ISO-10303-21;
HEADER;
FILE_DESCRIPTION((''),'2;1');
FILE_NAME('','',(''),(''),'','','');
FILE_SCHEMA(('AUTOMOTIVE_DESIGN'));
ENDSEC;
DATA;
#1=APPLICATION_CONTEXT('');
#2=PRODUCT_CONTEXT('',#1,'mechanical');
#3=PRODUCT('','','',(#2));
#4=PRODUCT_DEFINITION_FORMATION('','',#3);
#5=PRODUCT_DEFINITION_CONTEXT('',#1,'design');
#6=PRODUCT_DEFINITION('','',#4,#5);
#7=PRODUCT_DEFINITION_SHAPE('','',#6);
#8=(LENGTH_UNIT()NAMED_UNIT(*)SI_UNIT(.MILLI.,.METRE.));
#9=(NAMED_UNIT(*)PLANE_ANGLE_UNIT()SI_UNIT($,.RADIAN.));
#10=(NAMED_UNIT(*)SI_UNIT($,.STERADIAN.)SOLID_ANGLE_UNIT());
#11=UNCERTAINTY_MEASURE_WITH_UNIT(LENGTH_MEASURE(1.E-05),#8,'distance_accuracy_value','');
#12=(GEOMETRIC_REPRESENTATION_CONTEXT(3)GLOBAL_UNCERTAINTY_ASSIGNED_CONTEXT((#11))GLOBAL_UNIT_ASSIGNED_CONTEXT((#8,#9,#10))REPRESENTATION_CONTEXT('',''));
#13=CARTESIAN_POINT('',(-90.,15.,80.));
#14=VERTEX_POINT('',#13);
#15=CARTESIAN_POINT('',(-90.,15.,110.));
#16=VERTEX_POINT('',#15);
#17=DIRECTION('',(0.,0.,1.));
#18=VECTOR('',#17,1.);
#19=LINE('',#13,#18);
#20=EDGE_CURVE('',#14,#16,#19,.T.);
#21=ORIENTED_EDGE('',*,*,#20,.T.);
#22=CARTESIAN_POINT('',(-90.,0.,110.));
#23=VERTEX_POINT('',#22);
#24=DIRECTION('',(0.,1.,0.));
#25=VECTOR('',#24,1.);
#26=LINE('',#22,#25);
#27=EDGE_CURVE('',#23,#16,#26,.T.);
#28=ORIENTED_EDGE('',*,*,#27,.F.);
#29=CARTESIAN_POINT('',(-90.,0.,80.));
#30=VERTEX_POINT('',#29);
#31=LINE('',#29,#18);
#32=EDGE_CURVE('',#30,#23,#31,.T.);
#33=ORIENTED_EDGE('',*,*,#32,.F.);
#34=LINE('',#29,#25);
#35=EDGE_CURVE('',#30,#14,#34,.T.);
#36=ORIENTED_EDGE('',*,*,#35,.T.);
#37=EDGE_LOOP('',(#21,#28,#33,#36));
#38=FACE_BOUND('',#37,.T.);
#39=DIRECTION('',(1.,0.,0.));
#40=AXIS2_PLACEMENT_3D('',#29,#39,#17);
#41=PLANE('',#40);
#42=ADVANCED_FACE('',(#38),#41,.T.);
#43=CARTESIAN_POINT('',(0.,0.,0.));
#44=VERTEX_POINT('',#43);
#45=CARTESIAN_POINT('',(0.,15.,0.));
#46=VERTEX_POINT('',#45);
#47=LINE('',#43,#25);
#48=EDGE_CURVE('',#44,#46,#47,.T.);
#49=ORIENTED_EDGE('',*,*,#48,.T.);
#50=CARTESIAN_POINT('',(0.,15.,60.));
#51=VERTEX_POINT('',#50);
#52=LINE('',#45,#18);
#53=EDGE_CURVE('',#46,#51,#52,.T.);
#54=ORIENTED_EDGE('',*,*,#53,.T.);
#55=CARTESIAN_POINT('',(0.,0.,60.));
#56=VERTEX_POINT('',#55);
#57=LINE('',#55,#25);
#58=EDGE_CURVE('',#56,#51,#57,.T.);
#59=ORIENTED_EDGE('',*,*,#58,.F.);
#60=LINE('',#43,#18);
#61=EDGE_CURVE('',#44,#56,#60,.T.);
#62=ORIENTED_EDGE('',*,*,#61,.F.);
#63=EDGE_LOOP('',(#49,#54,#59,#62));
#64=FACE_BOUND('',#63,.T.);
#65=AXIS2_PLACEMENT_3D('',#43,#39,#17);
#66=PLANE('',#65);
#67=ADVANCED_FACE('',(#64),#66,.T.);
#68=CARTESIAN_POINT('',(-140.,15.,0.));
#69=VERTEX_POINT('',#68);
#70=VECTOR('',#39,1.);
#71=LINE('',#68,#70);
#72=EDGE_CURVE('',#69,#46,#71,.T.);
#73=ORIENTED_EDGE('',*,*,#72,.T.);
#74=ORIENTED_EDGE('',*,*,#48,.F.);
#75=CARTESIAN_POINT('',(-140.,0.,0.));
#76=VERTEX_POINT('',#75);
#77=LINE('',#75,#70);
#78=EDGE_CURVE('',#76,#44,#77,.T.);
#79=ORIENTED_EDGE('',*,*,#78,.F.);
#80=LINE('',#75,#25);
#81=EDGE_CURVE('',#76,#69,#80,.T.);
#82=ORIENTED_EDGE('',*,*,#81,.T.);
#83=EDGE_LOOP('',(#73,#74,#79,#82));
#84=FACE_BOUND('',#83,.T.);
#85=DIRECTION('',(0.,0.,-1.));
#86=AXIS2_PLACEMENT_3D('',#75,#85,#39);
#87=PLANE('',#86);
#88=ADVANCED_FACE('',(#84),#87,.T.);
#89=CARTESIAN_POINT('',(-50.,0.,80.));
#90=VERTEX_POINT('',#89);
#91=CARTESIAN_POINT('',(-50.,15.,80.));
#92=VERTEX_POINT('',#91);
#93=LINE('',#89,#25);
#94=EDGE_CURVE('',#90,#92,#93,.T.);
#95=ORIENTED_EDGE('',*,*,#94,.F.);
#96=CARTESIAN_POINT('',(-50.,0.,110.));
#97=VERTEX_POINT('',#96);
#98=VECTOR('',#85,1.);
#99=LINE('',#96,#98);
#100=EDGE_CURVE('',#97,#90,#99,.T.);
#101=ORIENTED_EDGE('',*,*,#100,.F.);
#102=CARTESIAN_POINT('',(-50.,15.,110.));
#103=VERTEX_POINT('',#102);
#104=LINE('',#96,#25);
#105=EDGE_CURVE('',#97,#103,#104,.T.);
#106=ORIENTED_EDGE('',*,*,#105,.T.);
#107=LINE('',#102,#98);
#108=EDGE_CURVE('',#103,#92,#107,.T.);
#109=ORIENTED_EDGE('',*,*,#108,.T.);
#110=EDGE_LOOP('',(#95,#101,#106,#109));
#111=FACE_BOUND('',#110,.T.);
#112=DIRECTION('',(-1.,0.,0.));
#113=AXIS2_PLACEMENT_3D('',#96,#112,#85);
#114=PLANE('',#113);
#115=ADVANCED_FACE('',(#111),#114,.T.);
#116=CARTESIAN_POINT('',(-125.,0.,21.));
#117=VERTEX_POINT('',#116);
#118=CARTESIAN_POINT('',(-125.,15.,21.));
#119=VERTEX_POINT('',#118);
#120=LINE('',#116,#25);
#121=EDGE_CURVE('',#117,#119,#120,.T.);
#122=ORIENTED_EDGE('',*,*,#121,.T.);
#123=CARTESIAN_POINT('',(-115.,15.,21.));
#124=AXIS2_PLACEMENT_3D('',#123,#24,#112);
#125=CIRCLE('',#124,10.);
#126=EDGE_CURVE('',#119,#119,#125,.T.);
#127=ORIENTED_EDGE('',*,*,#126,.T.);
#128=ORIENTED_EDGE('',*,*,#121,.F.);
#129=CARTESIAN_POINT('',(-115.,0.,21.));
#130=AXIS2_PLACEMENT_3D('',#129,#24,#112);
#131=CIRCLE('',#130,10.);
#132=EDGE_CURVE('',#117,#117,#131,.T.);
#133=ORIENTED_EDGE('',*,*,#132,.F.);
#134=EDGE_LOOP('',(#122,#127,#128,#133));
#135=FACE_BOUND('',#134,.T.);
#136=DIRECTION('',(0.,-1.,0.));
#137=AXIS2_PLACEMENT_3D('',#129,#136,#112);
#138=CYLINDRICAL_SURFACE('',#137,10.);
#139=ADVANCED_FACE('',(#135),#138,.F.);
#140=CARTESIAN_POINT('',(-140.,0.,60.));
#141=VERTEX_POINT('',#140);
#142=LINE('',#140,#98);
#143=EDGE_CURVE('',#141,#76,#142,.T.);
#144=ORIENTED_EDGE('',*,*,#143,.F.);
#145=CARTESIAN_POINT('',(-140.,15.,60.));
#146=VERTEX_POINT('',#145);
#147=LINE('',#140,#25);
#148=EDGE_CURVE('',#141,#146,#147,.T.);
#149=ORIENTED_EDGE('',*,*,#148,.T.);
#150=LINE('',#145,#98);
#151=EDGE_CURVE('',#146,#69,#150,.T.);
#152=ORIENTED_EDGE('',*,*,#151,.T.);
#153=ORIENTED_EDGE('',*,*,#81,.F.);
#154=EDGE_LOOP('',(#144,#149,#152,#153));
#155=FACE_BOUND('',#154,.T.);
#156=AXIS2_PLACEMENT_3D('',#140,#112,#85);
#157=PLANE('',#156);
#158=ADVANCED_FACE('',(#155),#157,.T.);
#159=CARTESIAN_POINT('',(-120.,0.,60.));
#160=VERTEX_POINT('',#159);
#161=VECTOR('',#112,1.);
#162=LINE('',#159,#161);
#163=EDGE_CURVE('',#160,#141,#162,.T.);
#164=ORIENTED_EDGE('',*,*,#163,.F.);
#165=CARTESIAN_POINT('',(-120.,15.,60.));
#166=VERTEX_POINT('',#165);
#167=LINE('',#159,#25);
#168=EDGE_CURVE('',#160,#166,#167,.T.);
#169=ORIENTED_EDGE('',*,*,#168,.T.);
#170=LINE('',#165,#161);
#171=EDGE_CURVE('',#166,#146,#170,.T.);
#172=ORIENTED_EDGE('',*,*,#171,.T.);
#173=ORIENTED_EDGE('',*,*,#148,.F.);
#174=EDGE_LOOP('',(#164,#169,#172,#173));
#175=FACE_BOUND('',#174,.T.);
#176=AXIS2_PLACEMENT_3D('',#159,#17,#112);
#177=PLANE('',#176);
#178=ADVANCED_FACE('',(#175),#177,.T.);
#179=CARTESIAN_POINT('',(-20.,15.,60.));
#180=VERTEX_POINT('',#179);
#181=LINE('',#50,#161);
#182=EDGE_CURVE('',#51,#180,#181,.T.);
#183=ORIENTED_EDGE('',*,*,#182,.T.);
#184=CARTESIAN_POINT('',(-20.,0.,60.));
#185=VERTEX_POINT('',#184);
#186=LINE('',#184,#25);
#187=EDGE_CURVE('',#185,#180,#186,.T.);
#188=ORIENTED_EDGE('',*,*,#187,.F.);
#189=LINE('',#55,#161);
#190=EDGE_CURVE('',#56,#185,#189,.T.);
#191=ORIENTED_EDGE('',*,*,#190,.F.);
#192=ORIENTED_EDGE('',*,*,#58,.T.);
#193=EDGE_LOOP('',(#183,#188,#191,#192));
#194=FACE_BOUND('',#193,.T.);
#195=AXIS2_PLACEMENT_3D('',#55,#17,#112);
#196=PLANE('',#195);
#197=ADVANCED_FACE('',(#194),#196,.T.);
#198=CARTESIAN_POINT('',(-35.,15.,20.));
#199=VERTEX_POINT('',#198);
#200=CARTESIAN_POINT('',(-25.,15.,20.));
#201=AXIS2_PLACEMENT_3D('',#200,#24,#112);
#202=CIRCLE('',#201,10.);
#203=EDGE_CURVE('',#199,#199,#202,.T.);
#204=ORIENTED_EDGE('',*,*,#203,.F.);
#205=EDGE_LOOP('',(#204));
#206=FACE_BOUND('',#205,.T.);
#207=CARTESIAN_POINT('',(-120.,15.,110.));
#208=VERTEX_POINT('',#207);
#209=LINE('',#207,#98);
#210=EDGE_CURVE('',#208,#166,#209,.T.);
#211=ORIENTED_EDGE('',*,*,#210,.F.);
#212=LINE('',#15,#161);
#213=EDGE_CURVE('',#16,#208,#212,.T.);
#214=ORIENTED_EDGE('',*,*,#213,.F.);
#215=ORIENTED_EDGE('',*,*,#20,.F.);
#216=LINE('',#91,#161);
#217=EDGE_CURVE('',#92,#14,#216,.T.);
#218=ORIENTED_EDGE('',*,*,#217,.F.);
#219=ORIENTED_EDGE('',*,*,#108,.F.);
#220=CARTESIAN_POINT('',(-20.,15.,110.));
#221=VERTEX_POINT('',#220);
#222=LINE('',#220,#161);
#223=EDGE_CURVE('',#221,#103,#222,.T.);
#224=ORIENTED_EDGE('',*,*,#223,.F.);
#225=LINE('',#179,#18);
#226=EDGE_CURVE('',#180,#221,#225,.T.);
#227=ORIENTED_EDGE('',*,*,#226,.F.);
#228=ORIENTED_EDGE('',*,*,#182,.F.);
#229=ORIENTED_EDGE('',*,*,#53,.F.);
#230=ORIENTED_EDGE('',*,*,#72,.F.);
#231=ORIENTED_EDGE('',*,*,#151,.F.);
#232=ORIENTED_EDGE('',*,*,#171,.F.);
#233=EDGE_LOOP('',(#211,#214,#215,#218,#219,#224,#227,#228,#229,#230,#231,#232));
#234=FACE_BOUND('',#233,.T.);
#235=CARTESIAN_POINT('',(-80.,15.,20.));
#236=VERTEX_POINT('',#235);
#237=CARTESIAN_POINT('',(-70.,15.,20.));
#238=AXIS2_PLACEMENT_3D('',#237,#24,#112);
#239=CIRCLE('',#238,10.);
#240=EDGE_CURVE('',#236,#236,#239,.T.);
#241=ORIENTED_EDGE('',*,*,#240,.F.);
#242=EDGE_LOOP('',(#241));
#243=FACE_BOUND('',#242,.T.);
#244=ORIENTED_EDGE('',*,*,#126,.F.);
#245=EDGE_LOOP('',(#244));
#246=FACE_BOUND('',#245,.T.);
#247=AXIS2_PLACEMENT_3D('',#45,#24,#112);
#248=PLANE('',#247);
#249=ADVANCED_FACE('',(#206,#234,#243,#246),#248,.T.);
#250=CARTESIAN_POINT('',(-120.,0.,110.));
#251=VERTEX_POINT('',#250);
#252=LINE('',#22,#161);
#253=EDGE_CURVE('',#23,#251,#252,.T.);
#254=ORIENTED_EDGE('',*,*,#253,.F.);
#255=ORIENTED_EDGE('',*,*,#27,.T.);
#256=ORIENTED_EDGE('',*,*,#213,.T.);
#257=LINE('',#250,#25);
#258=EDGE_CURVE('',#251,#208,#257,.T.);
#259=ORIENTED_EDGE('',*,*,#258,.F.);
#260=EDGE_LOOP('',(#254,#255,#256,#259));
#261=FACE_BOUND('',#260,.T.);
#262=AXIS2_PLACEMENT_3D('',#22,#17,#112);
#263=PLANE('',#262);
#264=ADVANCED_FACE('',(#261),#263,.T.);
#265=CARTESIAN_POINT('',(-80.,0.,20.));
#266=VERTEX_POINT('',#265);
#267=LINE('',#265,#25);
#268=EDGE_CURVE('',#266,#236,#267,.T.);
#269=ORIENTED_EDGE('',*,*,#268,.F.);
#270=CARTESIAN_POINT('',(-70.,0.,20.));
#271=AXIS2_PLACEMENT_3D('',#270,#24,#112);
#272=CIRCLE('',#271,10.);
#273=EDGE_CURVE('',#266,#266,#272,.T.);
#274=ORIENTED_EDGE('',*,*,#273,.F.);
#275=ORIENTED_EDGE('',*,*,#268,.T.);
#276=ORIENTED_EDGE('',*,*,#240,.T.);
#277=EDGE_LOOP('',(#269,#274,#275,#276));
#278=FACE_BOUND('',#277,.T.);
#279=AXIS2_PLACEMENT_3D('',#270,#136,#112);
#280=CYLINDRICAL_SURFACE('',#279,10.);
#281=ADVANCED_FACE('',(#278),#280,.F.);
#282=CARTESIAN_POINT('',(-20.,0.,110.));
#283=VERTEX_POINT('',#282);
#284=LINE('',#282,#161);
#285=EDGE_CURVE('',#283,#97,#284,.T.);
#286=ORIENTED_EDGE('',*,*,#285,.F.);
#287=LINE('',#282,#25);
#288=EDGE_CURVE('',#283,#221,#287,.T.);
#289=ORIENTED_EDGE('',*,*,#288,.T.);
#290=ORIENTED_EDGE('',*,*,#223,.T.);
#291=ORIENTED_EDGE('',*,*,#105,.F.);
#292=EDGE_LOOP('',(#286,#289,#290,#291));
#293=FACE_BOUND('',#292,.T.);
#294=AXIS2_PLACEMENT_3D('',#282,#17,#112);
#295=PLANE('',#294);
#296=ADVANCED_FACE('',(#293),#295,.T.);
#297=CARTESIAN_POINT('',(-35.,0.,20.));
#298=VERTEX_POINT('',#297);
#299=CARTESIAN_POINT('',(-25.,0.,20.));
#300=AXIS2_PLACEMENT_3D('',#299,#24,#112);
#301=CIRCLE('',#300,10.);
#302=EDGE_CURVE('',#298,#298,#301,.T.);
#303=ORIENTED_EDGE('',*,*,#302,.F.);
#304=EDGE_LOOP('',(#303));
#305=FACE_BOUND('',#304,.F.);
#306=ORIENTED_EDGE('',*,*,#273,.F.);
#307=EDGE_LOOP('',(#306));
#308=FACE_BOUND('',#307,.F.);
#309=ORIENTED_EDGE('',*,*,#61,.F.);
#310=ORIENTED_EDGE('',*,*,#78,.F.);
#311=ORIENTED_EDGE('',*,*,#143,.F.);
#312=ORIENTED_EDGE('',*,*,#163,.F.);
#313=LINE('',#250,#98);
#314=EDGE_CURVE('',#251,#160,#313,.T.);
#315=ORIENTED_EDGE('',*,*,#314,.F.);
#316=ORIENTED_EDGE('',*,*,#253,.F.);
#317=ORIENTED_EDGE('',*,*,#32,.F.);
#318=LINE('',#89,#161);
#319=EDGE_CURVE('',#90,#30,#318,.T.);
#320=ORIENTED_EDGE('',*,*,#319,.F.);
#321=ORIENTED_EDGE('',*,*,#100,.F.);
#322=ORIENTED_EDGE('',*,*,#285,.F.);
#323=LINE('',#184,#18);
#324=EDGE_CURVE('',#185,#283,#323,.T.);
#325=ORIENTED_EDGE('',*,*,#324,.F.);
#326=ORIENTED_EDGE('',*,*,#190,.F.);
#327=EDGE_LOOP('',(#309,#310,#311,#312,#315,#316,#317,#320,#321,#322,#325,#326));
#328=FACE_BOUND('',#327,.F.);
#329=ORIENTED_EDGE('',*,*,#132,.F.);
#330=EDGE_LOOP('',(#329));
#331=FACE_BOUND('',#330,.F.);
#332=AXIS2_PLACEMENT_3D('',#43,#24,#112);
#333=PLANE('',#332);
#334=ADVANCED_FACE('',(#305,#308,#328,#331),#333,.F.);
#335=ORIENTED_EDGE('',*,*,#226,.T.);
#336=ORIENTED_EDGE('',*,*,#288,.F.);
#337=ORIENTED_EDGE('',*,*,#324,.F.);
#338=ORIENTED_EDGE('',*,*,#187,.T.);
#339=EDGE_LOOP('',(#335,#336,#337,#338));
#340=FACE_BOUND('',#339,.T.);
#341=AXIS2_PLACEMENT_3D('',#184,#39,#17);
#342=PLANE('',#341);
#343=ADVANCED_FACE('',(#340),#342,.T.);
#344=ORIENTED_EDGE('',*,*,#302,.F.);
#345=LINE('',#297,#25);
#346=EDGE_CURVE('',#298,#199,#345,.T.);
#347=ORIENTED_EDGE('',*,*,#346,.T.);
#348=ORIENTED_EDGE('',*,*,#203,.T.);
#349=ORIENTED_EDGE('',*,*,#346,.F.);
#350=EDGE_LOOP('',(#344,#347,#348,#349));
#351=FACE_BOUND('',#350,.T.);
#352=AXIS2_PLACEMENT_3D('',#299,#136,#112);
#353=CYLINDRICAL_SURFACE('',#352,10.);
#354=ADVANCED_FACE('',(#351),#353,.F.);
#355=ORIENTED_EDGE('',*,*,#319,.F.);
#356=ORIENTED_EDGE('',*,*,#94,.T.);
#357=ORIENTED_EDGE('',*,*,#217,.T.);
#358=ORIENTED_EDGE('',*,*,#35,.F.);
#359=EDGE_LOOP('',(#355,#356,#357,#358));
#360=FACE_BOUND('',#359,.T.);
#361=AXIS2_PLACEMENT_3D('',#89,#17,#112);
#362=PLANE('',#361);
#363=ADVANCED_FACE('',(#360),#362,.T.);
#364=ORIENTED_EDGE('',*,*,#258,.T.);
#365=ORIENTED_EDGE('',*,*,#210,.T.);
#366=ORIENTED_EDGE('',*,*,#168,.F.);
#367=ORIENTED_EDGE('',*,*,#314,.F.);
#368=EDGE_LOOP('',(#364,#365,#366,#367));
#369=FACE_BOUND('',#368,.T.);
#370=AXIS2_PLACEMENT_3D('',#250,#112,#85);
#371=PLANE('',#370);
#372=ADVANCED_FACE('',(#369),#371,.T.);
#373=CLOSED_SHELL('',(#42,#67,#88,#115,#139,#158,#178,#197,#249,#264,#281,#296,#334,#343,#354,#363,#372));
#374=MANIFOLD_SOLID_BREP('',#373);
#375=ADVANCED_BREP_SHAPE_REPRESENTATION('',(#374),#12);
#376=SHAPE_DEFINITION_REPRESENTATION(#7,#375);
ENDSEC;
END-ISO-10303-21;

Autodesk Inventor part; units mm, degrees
ref_plane "YZ Plane" through (0, 0, 0) normal (1, 0, 0) x (0, 1, 0)
ref_plane "XZ Plane" through (0, 0, 0) normal (0, 1, 0) x (-1, 0, 0)
ref_plane "XY Plane" through (0, 0, 0) normal (0, 0, 1) x (1, 0, 0)
sketch "Sketch1" plane through (0, 0, 0) normal (0, 1, 0) x (-1, 0, 0)
  line L0 (0, 0) -> (0, 60)
  line L1 (0, 60) -> (20, 60)
  line L2 (20, 60) -> (20, 110)
  line L3 (20, 110) -> (50, 110)
  line L4 (50, 110) -> (50, 80)
  line L5 (50, 80) -> (90, 80)
  line L6 (90, 80) -> (90, 110)
  line L7 (90, 110) -> (120, 110)
  line L8 (120, 110) -> (120, 60)
  line L9 (120, 60) -> (140, 60)
  line L10 (140, 60) -> (140, 0)
  line L11 (140, 0) -> (0, 0)
  circle A0 centre (25, 20) radius 10
  circle A1 centre (70, 20) radius 10
  circle A2 centre (115, 21) radius 10
  dimension "d0" = 50
  dimension "d1" = 20
  dimension "d2" = 20
  dimension "d5" = 20
extrude "Extrusion1" add sketch "Sketch1" along normal blind 15
properties part number "P1-6"
